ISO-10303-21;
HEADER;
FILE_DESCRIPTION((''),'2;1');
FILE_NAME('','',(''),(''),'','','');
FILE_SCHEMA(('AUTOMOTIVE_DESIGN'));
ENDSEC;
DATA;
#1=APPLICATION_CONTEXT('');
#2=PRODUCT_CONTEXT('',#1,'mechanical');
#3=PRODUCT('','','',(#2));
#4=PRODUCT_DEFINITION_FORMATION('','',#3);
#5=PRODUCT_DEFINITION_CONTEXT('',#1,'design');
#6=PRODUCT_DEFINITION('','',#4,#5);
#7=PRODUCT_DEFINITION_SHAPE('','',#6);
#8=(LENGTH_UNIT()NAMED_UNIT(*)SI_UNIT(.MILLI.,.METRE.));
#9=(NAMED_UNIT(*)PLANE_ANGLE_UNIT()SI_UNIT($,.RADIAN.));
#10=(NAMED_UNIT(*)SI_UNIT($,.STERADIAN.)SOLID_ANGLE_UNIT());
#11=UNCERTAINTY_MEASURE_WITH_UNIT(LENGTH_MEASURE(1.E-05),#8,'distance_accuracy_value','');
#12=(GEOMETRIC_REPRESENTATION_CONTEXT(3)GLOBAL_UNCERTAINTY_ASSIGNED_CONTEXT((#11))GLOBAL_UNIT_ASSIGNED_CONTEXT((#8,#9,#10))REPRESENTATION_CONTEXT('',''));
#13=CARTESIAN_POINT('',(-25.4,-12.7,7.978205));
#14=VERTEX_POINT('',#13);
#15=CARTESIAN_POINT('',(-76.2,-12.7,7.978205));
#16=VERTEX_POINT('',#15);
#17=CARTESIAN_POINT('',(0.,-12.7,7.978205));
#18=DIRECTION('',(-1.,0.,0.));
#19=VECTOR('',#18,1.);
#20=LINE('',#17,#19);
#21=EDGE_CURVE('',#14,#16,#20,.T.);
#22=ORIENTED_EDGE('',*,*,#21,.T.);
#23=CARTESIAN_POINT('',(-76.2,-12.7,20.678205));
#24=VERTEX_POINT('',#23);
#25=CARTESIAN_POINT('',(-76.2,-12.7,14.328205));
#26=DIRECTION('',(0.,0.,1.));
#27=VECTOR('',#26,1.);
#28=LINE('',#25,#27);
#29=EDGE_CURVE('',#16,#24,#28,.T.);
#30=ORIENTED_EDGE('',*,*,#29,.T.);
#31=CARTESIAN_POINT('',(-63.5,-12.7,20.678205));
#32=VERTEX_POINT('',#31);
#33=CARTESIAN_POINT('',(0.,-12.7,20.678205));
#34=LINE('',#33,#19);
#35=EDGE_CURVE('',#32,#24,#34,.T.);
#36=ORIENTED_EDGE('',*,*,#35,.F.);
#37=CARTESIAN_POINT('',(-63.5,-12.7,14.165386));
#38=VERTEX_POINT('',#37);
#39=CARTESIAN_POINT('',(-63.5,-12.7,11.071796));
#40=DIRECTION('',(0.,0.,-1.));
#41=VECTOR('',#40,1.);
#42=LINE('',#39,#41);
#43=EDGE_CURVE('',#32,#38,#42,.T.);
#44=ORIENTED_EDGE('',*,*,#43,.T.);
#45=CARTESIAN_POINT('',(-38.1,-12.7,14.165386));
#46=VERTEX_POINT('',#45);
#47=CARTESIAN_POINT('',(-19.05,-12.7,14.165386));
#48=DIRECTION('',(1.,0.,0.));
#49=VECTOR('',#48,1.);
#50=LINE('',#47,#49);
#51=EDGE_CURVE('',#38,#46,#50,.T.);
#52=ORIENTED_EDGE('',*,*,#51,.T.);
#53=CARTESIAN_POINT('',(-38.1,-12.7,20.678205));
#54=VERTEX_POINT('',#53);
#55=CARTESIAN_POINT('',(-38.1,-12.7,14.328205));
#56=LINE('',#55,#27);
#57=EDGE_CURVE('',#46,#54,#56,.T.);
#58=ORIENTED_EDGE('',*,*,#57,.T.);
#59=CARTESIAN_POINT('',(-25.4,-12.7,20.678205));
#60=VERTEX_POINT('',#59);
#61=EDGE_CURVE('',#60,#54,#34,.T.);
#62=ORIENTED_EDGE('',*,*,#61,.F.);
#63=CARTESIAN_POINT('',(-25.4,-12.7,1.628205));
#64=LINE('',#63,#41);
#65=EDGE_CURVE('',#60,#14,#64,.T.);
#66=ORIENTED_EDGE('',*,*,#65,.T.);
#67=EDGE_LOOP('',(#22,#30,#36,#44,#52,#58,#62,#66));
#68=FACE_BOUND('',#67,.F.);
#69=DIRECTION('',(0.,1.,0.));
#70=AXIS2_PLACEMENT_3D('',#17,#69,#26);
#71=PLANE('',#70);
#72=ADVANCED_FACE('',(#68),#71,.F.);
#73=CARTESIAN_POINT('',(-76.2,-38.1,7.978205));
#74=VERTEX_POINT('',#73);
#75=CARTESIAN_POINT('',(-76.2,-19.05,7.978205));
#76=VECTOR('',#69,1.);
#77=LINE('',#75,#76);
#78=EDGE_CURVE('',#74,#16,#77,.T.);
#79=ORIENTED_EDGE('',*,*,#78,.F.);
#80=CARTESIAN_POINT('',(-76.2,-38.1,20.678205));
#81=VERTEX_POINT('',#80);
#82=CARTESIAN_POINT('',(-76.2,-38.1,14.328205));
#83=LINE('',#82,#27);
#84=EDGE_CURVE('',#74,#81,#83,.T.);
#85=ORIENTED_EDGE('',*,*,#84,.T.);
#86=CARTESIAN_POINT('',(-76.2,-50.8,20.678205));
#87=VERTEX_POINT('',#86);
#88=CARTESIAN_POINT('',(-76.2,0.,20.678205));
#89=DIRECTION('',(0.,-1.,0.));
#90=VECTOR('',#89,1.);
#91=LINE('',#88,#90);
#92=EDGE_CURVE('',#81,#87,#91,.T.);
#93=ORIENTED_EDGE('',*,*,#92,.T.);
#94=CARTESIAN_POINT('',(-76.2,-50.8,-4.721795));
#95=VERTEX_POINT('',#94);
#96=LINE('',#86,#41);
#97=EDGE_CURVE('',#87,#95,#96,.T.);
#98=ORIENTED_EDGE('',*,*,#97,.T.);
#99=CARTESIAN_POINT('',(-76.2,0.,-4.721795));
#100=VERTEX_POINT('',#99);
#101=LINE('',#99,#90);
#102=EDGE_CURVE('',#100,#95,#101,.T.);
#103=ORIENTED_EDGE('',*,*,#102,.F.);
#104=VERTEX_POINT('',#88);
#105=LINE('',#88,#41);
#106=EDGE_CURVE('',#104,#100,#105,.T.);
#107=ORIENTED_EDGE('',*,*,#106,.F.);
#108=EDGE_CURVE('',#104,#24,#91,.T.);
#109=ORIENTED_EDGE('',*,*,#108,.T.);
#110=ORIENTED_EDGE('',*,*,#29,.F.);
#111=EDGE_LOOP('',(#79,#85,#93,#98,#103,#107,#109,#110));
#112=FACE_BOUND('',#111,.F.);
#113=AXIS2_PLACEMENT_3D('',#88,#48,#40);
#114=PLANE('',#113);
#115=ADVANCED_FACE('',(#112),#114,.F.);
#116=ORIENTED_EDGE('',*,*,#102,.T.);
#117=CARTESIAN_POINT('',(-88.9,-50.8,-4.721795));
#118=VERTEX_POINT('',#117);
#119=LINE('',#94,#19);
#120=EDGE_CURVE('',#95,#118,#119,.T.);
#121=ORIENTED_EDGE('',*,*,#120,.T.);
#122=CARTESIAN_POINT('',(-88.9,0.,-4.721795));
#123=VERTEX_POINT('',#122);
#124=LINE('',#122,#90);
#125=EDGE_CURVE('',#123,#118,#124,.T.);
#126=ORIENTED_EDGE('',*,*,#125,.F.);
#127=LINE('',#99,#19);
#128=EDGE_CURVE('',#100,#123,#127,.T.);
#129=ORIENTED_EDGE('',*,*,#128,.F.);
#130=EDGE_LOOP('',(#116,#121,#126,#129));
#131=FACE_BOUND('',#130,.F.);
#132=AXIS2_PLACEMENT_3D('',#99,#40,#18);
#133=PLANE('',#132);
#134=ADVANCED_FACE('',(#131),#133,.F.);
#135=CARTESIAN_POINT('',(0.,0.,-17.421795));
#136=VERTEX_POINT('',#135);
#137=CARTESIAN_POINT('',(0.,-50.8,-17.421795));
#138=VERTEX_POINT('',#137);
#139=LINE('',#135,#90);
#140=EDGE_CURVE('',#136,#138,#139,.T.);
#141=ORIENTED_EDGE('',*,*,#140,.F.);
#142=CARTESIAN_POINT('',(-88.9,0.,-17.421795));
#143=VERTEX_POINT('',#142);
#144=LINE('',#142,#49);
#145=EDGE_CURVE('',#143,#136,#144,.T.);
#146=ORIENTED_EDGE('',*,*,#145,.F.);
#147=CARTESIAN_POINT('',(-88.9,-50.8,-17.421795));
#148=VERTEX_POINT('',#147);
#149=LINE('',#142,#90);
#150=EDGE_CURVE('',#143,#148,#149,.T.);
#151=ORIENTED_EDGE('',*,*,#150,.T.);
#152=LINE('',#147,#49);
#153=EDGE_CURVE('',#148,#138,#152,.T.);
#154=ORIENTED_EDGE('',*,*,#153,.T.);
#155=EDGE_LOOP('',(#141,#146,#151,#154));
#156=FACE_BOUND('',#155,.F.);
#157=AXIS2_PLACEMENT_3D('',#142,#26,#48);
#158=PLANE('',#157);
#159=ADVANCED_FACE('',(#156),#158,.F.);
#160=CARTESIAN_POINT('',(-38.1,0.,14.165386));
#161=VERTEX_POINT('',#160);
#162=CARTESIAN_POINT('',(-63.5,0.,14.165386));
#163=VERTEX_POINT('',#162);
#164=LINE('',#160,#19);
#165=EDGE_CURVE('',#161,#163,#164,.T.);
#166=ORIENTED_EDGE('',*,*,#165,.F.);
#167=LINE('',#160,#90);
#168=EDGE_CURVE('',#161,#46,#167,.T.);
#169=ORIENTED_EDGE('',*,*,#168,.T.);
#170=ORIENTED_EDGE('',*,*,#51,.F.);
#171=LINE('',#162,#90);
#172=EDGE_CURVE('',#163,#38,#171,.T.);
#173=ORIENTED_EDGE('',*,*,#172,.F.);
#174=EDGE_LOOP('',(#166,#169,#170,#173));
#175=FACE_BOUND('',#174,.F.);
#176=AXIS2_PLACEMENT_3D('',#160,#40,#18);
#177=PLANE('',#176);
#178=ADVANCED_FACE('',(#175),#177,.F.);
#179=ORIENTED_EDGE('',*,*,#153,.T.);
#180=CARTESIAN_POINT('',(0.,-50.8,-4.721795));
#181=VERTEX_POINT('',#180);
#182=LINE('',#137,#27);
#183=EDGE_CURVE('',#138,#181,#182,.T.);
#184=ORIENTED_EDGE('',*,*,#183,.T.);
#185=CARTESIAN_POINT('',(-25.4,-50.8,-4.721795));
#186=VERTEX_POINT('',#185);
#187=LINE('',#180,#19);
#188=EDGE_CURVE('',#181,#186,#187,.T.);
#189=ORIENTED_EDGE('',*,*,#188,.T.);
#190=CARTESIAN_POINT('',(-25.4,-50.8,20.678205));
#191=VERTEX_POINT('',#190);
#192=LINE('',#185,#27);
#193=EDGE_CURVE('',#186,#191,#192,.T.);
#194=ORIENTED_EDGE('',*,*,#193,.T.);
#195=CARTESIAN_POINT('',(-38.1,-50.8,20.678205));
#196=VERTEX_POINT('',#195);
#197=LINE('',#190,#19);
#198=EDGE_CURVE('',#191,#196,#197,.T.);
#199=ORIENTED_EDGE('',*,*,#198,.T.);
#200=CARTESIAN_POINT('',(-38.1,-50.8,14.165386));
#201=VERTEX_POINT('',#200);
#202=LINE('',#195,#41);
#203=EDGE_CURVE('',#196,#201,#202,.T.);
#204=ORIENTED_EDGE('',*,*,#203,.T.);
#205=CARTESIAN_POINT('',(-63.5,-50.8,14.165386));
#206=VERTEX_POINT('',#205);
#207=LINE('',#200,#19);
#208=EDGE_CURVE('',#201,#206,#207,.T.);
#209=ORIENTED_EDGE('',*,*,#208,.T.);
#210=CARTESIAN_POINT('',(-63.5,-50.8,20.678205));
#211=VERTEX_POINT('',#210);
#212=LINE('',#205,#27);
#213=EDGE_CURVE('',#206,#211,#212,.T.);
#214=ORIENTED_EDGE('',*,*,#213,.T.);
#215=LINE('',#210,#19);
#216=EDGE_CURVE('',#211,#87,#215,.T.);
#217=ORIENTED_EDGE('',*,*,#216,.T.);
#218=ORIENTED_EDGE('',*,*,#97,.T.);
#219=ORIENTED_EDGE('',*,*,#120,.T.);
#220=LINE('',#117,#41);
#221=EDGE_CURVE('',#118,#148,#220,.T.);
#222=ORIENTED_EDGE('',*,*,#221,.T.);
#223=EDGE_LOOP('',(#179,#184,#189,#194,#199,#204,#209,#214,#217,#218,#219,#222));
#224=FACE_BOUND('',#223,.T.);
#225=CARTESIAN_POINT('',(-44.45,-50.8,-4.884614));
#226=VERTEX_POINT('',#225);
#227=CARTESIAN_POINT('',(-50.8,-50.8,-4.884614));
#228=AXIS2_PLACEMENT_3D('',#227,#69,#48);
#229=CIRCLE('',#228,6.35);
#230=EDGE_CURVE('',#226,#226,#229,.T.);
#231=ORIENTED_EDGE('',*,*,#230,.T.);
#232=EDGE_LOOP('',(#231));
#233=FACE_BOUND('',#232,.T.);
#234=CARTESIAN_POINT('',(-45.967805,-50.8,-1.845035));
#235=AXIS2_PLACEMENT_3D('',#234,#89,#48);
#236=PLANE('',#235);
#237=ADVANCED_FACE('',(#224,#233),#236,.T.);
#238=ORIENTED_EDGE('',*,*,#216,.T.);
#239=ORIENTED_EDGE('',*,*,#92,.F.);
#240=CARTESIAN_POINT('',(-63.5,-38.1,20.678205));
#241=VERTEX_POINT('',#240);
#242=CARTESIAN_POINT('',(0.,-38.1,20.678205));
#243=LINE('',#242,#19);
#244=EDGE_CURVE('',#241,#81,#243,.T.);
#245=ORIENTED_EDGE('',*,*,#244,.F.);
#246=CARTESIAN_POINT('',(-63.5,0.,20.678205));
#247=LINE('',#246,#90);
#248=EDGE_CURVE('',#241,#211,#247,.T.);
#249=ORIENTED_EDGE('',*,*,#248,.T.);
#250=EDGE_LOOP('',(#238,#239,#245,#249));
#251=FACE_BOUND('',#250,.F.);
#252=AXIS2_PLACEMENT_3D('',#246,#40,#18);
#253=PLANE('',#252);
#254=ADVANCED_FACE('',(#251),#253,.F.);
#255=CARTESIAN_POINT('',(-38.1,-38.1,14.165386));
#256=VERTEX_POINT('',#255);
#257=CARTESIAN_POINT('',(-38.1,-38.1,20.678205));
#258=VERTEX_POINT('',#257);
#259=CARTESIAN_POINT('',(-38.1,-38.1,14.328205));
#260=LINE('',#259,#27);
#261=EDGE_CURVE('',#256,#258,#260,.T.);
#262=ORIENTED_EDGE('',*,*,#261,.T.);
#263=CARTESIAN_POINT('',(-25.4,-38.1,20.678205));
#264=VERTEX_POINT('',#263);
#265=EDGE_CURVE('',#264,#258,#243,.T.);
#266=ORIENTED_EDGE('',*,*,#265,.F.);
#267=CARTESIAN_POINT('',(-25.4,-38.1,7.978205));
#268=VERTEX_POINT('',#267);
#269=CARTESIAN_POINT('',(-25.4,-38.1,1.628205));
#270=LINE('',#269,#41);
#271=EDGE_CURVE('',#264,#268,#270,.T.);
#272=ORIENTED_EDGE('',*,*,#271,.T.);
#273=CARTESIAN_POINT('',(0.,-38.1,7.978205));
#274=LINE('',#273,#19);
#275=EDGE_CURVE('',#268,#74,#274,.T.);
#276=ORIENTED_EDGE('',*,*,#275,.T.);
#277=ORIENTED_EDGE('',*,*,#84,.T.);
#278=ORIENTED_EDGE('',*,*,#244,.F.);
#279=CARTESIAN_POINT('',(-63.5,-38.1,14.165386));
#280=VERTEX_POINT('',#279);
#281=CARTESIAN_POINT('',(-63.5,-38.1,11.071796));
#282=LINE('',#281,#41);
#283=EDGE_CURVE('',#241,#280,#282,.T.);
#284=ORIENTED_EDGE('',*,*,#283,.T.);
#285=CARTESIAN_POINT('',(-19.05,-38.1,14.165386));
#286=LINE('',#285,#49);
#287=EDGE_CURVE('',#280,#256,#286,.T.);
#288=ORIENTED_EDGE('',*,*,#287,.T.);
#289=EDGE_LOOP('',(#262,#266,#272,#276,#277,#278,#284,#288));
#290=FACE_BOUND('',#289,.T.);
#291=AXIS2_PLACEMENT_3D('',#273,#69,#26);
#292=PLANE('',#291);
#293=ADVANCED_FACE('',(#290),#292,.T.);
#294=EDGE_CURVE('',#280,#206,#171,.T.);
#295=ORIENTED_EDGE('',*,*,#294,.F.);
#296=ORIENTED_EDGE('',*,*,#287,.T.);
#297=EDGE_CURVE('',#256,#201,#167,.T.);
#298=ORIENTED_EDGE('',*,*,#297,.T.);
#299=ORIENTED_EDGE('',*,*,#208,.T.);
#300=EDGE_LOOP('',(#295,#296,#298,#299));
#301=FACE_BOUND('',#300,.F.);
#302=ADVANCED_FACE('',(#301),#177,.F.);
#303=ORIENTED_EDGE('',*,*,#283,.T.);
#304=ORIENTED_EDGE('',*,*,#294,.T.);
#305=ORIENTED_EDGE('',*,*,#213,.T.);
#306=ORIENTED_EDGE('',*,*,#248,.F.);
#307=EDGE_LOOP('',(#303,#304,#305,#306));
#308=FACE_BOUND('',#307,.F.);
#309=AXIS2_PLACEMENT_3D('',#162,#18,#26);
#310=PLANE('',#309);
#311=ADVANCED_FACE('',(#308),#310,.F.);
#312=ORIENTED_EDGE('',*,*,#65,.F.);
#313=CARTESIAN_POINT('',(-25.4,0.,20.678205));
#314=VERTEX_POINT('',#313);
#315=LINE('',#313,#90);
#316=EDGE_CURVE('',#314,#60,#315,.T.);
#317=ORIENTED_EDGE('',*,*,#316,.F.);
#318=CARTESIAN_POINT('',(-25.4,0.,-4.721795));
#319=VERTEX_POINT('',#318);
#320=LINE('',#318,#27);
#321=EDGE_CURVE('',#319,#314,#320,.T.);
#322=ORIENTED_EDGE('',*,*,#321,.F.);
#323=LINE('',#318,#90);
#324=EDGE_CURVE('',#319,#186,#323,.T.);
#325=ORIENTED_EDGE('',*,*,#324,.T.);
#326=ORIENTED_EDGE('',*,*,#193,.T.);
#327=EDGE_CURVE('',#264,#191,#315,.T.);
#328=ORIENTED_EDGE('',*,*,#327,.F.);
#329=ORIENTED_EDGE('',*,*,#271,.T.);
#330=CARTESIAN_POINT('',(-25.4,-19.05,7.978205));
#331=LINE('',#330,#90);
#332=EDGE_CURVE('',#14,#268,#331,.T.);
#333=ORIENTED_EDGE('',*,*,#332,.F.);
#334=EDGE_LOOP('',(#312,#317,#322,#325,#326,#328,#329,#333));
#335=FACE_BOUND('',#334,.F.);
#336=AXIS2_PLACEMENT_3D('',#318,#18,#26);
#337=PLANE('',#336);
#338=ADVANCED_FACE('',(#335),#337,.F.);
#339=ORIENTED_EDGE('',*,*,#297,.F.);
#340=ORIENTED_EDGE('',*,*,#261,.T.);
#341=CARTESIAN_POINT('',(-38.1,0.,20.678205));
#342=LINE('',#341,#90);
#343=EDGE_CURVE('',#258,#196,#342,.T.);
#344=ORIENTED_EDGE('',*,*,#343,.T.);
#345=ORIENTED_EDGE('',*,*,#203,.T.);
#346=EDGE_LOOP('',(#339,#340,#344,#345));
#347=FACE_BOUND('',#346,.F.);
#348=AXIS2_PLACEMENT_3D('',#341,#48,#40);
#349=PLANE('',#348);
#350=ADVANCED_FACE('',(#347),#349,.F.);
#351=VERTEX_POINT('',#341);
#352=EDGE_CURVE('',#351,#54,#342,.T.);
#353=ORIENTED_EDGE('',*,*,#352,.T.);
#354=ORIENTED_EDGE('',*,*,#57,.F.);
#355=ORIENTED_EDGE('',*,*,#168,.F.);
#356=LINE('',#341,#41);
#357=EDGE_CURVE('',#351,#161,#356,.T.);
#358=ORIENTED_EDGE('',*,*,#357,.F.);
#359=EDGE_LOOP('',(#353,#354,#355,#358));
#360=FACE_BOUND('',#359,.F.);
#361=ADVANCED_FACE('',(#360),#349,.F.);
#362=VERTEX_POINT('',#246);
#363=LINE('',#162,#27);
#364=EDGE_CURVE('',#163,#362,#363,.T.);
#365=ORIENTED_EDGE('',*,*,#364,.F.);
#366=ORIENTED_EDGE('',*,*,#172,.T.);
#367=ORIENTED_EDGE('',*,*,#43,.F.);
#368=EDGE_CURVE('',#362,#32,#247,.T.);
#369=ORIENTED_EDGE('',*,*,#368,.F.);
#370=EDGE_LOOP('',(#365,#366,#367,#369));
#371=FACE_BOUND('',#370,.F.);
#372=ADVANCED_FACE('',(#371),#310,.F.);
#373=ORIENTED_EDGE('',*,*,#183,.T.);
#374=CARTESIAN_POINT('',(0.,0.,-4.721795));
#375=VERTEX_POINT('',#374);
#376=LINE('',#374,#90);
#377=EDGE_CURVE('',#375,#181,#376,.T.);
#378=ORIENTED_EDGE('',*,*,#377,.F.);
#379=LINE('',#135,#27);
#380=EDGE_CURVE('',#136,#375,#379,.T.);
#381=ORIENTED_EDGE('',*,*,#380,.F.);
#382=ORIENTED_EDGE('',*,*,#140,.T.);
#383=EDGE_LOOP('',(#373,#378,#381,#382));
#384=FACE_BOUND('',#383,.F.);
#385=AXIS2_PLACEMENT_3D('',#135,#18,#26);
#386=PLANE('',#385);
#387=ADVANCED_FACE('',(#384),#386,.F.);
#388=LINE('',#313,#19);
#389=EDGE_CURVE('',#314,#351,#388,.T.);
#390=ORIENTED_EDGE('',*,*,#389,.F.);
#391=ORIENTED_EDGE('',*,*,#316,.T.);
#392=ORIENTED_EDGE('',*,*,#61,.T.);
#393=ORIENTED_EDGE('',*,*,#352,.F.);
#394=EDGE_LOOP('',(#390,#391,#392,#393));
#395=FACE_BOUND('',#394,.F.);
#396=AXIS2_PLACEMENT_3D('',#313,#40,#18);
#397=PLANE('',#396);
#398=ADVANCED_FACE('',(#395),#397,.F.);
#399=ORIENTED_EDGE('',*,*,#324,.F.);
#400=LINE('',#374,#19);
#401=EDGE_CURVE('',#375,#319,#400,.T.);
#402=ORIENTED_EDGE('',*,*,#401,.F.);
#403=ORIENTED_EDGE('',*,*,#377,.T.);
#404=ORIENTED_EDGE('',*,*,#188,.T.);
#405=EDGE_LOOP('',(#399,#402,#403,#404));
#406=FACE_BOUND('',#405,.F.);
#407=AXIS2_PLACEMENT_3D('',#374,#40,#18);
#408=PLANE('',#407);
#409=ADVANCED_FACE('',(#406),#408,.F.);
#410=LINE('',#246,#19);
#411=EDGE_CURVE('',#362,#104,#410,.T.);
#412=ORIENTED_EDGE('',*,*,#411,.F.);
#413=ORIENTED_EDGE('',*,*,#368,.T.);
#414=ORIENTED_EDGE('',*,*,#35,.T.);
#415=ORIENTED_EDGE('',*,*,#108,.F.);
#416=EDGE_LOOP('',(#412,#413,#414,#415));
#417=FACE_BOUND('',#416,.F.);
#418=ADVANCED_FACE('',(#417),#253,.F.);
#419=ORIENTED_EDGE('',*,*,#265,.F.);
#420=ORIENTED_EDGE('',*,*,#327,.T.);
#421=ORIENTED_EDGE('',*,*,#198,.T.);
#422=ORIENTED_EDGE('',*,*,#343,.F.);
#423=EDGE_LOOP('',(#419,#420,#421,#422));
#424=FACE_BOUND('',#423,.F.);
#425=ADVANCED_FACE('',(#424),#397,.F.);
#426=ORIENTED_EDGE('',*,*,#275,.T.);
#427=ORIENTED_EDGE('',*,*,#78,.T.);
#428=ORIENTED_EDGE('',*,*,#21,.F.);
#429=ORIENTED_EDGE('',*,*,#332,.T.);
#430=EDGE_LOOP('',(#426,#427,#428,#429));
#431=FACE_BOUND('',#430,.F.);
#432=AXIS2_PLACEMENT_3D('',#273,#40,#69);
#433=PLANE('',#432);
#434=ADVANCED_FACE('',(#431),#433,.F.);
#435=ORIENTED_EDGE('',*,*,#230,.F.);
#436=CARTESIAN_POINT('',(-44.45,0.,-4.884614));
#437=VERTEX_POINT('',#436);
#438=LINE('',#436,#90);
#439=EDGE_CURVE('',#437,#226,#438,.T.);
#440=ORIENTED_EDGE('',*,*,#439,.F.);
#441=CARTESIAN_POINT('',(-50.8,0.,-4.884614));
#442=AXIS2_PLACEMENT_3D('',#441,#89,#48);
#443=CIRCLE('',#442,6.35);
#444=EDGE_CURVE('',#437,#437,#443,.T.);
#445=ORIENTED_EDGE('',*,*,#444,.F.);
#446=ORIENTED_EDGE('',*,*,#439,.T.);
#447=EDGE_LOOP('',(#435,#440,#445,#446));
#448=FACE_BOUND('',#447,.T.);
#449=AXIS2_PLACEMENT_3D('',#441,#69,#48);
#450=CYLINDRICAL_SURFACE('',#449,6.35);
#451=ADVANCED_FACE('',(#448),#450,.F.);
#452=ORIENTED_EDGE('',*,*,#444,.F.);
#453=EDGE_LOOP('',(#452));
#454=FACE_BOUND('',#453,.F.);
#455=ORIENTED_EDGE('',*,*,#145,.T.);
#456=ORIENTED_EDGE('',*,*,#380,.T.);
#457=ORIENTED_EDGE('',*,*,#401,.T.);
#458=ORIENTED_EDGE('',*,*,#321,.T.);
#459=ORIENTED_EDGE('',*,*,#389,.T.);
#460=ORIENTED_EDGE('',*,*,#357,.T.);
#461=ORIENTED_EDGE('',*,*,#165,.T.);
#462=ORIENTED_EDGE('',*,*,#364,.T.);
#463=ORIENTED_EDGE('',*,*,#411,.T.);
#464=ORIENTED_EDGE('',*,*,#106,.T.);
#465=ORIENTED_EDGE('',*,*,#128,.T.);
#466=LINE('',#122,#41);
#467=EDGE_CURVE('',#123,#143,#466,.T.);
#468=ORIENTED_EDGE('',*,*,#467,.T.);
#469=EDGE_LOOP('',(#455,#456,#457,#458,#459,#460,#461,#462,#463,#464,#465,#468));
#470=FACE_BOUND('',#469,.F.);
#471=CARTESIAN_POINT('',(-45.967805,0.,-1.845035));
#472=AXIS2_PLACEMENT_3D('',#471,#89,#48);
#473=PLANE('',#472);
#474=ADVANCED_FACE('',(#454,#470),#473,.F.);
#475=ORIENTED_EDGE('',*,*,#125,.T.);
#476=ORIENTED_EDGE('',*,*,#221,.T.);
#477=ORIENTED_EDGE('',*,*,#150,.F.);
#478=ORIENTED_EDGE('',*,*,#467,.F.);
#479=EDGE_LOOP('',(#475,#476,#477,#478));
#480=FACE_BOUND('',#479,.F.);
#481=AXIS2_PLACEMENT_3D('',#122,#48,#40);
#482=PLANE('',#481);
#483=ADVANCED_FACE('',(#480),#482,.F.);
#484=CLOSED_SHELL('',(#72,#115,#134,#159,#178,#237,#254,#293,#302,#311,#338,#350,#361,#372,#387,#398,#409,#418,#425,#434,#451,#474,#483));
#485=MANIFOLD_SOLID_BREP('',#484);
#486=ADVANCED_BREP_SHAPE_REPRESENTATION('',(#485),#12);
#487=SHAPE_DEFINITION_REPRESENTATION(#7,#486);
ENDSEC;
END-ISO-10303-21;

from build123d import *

# Parameters (mm, degrees)
F1_DEPTH = 50.8
F2_R     = 6.35
F3_DEPTH = 50.801
F4_W     = 25.4
F4_H     = 12.7
F5_DEPTH = 88.901


with BuildPart() as f1:
    # F0 (on Front) → F1 (new body)
    with BuildSketch(Plane.XZ):
        Polygon((-76.2, -4.721795), (-88.9, -4.721795), (-88.9, -17.421795), (0, -17.421795), (0, -4.721795), (-25.4, -4.721795), (-25.4, 20.678205), (-38.1, 20.678205), (-38.1, 14.165386), (-63.5, 14.165386), (-63.5, 20.678205), (-76.2, 20.678205), align=None)
    extrude(amount=F1_DEPTH)

    # F2 (on Front) → F3 (cut, through all)
    with BuildSketch(Plane.XZ):
        with Locations((-50.8, -4.884614)):
            Circle(F2_R)
    extrude(amount=F3_DEPTH, mode=Mode.SUBTRACT)

    # F4 (on Right) → F5 (cut, through all)
    with BuildSketch(Plane.YZ):
        with Locations((-25.4, 14.328205)):
            Rectangle(F4_W, F4_H)
    extrude(amount=-F5_DEPTH, mode=Mode.SUBTRACT)


solid = f1.part
